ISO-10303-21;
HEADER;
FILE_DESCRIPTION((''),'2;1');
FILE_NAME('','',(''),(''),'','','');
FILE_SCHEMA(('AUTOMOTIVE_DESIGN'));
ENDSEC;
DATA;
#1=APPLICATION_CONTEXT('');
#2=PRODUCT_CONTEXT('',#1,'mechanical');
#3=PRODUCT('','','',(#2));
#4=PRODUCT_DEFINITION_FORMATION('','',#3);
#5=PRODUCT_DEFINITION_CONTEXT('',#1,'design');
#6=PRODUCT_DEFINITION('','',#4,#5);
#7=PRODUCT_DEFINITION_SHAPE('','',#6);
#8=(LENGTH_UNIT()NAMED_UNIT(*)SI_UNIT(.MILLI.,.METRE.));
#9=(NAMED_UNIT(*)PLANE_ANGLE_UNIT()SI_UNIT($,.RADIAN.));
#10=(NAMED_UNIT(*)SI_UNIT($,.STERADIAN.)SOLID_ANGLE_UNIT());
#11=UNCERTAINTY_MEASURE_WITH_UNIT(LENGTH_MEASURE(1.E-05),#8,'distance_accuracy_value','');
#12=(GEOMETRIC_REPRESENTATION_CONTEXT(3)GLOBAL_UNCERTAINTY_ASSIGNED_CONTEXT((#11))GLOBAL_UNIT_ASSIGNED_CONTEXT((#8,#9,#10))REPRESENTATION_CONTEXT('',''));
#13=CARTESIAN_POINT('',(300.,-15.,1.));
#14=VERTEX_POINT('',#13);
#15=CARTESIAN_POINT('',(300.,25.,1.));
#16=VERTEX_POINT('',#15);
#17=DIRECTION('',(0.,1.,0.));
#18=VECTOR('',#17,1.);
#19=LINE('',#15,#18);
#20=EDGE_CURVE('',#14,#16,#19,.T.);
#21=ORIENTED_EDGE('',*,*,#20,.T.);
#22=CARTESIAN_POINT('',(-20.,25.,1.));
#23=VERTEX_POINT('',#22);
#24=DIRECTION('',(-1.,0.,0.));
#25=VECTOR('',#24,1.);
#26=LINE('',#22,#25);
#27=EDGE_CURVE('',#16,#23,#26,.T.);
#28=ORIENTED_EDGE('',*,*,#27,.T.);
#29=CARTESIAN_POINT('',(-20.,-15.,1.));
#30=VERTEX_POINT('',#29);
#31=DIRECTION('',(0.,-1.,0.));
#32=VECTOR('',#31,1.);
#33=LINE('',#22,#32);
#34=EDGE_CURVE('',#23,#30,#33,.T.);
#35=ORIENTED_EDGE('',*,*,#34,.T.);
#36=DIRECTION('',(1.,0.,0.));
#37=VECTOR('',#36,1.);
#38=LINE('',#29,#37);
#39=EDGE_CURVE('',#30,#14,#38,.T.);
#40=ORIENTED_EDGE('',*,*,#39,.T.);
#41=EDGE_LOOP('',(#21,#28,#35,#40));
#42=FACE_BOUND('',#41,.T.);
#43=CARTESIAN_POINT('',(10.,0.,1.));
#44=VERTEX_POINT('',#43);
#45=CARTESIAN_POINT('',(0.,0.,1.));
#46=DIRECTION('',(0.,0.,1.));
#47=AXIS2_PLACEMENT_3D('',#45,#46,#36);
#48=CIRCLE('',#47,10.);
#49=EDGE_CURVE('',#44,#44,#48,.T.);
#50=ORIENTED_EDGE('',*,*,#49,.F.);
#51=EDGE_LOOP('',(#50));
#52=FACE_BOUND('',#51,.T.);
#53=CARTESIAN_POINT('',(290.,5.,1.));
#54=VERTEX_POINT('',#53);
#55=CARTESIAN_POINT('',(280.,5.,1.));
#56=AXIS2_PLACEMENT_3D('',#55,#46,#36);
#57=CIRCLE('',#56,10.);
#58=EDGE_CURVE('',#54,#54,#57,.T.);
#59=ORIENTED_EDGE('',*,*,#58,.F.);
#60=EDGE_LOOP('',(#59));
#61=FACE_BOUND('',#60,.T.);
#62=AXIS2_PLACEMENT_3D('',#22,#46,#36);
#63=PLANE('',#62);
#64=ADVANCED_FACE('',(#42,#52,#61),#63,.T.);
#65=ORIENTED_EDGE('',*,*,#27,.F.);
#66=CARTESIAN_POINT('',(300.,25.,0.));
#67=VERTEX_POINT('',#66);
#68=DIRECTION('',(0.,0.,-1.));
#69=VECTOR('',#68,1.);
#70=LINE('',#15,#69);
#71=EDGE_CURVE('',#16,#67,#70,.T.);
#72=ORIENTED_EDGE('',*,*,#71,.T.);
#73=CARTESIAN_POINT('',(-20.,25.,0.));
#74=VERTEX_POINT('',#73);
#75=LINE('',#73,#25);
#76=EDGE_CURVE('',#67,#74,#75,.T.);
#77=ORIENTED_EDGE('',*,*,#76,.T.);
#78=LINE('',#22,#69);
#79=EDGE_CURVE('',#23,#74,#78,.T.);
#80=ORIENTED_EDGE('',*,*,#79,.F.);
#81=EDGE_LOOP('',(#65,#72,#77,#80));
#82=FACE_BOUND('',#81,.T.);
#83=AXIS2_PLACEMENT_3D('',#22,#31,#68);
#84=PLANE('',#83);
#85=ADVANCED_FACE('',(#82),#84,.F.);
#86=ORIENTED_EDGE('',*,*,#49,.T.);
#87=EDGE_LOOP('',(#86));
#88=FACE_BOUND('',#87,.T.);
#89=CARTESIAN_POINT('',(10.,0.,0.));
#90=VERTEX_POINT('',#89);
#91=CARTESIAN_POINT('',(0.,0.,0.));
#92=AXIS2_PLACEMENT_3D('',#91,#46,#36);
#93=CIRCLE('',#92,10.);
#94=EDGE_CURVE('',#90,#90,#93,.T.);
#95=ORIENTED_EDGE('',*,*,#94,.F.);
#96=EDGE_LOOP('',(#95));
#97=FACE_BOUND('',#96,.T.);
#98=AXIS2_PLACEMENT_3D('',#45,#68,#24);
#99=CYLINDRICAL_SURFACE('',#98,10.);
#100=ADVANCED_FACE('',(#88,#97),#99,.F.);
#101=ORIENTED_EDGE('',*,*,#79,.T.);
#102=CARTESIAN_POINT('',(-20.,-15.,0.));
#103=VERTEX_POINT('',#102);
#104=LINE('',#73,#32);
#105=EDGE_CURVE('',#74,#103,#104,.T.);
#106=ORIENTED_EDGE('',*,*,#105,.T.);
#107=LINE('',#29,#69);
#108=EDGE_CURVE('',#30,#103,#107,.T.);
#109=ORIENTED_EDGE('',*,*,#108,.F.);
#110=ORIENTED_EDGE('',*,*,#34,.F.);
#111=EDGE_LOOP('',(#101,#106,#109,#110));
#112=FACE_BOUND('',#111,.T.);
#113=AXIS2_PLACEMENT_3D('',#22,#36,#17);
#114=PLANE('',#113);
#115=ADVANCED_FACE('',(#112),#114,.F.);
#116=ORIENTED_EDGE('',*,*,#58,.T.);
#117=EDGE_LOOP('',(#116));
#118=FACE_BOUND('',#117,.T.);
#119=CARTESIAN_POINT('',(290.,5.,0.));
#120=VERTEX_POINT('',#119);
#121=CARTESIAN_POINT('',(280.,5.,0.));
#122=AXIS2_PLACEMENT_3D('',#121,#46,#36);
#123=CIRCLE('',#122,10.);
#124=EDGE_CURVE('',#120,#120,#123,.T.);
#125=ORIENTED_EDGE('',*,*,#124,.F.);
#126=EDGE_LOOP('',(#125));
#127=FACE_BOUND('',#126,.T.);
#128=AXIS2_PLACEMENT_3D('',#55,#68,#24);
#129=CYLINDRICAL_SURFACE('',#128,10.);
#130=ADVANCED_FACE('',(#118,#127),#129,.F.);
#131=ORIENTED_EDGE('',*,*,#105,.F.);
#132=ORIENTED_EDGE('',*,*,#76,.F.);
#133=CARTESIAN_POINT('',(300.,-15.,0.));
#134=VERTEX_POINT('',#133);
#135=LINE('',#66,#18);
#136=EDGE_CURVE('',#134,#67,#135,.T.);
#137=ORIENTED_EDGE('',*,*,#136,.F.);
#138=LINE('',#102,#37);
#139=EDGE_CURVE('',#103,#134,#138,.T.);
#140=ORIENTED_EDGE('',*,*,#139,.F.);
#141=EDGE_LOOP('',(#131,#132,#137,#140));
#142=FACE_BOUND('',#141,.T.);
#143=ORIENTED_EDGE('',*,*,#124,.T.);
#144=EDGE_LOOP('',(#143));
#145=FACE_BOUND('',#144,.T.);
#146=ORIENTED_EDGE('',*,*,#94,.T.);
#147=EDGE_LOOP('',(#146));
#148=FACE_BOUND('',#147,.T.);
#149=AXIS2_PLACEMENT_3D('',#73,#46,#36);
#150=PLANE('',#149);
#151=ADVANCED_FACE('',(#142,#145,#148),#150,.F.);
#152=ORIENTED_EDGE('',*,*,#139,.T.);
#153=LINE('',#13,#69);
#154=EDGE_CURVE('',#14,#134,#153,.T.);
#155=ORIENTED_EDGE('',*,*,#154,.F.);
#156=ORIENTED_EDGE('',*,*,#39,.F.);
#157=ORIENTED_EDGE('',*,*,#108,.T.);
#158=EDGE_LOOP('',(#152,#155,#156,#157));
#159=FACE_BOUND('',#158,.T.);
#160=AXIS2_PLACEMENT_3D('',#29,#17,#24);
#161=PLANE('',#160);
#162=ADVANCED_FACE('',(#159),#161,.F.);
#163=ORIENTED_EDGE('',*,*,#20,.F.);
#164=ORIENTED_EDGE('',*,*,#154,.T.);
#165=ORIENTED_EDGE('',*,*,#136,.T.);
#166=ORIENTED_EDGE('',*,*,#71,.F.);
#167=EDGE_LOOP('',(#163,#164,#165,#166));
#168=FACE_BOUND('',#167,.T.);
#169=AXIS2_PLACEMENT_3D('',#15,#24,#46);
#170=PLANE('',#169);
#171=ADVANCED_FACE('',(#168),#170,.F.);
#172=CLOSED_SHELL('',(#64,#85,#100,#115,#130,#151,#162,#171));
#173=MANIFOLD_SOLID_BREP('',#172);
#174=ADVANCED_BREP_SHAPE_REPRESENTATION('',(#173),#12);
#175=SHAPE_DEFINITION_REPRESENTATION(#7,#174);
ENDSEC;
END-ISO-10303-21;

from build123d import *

# Parameters (mm, degrees)
SKETCH1_W      = 320
SKETCH1_H      = 40
SKETCH1_R      = 10
EXTRUDE1_DEPTH = 1


with BuildPart() as part:
    # Sketch1 → Extrude1 (new body)
    with BuildSketch(Plane.XY):
        with Locations((140, 5)):
            Rectangle(SKETCH1_W, SKETCH1_H)
        Circle(SKETCH1_R, mode=Mode.SUBTRACT)
        with Locations((280, 5)):
            Circle(SKETCH1_R, mode=Mode.SUBTRACT)
    extrude(amount=EXTRUDE1_DEPTH)


solid = part.part
